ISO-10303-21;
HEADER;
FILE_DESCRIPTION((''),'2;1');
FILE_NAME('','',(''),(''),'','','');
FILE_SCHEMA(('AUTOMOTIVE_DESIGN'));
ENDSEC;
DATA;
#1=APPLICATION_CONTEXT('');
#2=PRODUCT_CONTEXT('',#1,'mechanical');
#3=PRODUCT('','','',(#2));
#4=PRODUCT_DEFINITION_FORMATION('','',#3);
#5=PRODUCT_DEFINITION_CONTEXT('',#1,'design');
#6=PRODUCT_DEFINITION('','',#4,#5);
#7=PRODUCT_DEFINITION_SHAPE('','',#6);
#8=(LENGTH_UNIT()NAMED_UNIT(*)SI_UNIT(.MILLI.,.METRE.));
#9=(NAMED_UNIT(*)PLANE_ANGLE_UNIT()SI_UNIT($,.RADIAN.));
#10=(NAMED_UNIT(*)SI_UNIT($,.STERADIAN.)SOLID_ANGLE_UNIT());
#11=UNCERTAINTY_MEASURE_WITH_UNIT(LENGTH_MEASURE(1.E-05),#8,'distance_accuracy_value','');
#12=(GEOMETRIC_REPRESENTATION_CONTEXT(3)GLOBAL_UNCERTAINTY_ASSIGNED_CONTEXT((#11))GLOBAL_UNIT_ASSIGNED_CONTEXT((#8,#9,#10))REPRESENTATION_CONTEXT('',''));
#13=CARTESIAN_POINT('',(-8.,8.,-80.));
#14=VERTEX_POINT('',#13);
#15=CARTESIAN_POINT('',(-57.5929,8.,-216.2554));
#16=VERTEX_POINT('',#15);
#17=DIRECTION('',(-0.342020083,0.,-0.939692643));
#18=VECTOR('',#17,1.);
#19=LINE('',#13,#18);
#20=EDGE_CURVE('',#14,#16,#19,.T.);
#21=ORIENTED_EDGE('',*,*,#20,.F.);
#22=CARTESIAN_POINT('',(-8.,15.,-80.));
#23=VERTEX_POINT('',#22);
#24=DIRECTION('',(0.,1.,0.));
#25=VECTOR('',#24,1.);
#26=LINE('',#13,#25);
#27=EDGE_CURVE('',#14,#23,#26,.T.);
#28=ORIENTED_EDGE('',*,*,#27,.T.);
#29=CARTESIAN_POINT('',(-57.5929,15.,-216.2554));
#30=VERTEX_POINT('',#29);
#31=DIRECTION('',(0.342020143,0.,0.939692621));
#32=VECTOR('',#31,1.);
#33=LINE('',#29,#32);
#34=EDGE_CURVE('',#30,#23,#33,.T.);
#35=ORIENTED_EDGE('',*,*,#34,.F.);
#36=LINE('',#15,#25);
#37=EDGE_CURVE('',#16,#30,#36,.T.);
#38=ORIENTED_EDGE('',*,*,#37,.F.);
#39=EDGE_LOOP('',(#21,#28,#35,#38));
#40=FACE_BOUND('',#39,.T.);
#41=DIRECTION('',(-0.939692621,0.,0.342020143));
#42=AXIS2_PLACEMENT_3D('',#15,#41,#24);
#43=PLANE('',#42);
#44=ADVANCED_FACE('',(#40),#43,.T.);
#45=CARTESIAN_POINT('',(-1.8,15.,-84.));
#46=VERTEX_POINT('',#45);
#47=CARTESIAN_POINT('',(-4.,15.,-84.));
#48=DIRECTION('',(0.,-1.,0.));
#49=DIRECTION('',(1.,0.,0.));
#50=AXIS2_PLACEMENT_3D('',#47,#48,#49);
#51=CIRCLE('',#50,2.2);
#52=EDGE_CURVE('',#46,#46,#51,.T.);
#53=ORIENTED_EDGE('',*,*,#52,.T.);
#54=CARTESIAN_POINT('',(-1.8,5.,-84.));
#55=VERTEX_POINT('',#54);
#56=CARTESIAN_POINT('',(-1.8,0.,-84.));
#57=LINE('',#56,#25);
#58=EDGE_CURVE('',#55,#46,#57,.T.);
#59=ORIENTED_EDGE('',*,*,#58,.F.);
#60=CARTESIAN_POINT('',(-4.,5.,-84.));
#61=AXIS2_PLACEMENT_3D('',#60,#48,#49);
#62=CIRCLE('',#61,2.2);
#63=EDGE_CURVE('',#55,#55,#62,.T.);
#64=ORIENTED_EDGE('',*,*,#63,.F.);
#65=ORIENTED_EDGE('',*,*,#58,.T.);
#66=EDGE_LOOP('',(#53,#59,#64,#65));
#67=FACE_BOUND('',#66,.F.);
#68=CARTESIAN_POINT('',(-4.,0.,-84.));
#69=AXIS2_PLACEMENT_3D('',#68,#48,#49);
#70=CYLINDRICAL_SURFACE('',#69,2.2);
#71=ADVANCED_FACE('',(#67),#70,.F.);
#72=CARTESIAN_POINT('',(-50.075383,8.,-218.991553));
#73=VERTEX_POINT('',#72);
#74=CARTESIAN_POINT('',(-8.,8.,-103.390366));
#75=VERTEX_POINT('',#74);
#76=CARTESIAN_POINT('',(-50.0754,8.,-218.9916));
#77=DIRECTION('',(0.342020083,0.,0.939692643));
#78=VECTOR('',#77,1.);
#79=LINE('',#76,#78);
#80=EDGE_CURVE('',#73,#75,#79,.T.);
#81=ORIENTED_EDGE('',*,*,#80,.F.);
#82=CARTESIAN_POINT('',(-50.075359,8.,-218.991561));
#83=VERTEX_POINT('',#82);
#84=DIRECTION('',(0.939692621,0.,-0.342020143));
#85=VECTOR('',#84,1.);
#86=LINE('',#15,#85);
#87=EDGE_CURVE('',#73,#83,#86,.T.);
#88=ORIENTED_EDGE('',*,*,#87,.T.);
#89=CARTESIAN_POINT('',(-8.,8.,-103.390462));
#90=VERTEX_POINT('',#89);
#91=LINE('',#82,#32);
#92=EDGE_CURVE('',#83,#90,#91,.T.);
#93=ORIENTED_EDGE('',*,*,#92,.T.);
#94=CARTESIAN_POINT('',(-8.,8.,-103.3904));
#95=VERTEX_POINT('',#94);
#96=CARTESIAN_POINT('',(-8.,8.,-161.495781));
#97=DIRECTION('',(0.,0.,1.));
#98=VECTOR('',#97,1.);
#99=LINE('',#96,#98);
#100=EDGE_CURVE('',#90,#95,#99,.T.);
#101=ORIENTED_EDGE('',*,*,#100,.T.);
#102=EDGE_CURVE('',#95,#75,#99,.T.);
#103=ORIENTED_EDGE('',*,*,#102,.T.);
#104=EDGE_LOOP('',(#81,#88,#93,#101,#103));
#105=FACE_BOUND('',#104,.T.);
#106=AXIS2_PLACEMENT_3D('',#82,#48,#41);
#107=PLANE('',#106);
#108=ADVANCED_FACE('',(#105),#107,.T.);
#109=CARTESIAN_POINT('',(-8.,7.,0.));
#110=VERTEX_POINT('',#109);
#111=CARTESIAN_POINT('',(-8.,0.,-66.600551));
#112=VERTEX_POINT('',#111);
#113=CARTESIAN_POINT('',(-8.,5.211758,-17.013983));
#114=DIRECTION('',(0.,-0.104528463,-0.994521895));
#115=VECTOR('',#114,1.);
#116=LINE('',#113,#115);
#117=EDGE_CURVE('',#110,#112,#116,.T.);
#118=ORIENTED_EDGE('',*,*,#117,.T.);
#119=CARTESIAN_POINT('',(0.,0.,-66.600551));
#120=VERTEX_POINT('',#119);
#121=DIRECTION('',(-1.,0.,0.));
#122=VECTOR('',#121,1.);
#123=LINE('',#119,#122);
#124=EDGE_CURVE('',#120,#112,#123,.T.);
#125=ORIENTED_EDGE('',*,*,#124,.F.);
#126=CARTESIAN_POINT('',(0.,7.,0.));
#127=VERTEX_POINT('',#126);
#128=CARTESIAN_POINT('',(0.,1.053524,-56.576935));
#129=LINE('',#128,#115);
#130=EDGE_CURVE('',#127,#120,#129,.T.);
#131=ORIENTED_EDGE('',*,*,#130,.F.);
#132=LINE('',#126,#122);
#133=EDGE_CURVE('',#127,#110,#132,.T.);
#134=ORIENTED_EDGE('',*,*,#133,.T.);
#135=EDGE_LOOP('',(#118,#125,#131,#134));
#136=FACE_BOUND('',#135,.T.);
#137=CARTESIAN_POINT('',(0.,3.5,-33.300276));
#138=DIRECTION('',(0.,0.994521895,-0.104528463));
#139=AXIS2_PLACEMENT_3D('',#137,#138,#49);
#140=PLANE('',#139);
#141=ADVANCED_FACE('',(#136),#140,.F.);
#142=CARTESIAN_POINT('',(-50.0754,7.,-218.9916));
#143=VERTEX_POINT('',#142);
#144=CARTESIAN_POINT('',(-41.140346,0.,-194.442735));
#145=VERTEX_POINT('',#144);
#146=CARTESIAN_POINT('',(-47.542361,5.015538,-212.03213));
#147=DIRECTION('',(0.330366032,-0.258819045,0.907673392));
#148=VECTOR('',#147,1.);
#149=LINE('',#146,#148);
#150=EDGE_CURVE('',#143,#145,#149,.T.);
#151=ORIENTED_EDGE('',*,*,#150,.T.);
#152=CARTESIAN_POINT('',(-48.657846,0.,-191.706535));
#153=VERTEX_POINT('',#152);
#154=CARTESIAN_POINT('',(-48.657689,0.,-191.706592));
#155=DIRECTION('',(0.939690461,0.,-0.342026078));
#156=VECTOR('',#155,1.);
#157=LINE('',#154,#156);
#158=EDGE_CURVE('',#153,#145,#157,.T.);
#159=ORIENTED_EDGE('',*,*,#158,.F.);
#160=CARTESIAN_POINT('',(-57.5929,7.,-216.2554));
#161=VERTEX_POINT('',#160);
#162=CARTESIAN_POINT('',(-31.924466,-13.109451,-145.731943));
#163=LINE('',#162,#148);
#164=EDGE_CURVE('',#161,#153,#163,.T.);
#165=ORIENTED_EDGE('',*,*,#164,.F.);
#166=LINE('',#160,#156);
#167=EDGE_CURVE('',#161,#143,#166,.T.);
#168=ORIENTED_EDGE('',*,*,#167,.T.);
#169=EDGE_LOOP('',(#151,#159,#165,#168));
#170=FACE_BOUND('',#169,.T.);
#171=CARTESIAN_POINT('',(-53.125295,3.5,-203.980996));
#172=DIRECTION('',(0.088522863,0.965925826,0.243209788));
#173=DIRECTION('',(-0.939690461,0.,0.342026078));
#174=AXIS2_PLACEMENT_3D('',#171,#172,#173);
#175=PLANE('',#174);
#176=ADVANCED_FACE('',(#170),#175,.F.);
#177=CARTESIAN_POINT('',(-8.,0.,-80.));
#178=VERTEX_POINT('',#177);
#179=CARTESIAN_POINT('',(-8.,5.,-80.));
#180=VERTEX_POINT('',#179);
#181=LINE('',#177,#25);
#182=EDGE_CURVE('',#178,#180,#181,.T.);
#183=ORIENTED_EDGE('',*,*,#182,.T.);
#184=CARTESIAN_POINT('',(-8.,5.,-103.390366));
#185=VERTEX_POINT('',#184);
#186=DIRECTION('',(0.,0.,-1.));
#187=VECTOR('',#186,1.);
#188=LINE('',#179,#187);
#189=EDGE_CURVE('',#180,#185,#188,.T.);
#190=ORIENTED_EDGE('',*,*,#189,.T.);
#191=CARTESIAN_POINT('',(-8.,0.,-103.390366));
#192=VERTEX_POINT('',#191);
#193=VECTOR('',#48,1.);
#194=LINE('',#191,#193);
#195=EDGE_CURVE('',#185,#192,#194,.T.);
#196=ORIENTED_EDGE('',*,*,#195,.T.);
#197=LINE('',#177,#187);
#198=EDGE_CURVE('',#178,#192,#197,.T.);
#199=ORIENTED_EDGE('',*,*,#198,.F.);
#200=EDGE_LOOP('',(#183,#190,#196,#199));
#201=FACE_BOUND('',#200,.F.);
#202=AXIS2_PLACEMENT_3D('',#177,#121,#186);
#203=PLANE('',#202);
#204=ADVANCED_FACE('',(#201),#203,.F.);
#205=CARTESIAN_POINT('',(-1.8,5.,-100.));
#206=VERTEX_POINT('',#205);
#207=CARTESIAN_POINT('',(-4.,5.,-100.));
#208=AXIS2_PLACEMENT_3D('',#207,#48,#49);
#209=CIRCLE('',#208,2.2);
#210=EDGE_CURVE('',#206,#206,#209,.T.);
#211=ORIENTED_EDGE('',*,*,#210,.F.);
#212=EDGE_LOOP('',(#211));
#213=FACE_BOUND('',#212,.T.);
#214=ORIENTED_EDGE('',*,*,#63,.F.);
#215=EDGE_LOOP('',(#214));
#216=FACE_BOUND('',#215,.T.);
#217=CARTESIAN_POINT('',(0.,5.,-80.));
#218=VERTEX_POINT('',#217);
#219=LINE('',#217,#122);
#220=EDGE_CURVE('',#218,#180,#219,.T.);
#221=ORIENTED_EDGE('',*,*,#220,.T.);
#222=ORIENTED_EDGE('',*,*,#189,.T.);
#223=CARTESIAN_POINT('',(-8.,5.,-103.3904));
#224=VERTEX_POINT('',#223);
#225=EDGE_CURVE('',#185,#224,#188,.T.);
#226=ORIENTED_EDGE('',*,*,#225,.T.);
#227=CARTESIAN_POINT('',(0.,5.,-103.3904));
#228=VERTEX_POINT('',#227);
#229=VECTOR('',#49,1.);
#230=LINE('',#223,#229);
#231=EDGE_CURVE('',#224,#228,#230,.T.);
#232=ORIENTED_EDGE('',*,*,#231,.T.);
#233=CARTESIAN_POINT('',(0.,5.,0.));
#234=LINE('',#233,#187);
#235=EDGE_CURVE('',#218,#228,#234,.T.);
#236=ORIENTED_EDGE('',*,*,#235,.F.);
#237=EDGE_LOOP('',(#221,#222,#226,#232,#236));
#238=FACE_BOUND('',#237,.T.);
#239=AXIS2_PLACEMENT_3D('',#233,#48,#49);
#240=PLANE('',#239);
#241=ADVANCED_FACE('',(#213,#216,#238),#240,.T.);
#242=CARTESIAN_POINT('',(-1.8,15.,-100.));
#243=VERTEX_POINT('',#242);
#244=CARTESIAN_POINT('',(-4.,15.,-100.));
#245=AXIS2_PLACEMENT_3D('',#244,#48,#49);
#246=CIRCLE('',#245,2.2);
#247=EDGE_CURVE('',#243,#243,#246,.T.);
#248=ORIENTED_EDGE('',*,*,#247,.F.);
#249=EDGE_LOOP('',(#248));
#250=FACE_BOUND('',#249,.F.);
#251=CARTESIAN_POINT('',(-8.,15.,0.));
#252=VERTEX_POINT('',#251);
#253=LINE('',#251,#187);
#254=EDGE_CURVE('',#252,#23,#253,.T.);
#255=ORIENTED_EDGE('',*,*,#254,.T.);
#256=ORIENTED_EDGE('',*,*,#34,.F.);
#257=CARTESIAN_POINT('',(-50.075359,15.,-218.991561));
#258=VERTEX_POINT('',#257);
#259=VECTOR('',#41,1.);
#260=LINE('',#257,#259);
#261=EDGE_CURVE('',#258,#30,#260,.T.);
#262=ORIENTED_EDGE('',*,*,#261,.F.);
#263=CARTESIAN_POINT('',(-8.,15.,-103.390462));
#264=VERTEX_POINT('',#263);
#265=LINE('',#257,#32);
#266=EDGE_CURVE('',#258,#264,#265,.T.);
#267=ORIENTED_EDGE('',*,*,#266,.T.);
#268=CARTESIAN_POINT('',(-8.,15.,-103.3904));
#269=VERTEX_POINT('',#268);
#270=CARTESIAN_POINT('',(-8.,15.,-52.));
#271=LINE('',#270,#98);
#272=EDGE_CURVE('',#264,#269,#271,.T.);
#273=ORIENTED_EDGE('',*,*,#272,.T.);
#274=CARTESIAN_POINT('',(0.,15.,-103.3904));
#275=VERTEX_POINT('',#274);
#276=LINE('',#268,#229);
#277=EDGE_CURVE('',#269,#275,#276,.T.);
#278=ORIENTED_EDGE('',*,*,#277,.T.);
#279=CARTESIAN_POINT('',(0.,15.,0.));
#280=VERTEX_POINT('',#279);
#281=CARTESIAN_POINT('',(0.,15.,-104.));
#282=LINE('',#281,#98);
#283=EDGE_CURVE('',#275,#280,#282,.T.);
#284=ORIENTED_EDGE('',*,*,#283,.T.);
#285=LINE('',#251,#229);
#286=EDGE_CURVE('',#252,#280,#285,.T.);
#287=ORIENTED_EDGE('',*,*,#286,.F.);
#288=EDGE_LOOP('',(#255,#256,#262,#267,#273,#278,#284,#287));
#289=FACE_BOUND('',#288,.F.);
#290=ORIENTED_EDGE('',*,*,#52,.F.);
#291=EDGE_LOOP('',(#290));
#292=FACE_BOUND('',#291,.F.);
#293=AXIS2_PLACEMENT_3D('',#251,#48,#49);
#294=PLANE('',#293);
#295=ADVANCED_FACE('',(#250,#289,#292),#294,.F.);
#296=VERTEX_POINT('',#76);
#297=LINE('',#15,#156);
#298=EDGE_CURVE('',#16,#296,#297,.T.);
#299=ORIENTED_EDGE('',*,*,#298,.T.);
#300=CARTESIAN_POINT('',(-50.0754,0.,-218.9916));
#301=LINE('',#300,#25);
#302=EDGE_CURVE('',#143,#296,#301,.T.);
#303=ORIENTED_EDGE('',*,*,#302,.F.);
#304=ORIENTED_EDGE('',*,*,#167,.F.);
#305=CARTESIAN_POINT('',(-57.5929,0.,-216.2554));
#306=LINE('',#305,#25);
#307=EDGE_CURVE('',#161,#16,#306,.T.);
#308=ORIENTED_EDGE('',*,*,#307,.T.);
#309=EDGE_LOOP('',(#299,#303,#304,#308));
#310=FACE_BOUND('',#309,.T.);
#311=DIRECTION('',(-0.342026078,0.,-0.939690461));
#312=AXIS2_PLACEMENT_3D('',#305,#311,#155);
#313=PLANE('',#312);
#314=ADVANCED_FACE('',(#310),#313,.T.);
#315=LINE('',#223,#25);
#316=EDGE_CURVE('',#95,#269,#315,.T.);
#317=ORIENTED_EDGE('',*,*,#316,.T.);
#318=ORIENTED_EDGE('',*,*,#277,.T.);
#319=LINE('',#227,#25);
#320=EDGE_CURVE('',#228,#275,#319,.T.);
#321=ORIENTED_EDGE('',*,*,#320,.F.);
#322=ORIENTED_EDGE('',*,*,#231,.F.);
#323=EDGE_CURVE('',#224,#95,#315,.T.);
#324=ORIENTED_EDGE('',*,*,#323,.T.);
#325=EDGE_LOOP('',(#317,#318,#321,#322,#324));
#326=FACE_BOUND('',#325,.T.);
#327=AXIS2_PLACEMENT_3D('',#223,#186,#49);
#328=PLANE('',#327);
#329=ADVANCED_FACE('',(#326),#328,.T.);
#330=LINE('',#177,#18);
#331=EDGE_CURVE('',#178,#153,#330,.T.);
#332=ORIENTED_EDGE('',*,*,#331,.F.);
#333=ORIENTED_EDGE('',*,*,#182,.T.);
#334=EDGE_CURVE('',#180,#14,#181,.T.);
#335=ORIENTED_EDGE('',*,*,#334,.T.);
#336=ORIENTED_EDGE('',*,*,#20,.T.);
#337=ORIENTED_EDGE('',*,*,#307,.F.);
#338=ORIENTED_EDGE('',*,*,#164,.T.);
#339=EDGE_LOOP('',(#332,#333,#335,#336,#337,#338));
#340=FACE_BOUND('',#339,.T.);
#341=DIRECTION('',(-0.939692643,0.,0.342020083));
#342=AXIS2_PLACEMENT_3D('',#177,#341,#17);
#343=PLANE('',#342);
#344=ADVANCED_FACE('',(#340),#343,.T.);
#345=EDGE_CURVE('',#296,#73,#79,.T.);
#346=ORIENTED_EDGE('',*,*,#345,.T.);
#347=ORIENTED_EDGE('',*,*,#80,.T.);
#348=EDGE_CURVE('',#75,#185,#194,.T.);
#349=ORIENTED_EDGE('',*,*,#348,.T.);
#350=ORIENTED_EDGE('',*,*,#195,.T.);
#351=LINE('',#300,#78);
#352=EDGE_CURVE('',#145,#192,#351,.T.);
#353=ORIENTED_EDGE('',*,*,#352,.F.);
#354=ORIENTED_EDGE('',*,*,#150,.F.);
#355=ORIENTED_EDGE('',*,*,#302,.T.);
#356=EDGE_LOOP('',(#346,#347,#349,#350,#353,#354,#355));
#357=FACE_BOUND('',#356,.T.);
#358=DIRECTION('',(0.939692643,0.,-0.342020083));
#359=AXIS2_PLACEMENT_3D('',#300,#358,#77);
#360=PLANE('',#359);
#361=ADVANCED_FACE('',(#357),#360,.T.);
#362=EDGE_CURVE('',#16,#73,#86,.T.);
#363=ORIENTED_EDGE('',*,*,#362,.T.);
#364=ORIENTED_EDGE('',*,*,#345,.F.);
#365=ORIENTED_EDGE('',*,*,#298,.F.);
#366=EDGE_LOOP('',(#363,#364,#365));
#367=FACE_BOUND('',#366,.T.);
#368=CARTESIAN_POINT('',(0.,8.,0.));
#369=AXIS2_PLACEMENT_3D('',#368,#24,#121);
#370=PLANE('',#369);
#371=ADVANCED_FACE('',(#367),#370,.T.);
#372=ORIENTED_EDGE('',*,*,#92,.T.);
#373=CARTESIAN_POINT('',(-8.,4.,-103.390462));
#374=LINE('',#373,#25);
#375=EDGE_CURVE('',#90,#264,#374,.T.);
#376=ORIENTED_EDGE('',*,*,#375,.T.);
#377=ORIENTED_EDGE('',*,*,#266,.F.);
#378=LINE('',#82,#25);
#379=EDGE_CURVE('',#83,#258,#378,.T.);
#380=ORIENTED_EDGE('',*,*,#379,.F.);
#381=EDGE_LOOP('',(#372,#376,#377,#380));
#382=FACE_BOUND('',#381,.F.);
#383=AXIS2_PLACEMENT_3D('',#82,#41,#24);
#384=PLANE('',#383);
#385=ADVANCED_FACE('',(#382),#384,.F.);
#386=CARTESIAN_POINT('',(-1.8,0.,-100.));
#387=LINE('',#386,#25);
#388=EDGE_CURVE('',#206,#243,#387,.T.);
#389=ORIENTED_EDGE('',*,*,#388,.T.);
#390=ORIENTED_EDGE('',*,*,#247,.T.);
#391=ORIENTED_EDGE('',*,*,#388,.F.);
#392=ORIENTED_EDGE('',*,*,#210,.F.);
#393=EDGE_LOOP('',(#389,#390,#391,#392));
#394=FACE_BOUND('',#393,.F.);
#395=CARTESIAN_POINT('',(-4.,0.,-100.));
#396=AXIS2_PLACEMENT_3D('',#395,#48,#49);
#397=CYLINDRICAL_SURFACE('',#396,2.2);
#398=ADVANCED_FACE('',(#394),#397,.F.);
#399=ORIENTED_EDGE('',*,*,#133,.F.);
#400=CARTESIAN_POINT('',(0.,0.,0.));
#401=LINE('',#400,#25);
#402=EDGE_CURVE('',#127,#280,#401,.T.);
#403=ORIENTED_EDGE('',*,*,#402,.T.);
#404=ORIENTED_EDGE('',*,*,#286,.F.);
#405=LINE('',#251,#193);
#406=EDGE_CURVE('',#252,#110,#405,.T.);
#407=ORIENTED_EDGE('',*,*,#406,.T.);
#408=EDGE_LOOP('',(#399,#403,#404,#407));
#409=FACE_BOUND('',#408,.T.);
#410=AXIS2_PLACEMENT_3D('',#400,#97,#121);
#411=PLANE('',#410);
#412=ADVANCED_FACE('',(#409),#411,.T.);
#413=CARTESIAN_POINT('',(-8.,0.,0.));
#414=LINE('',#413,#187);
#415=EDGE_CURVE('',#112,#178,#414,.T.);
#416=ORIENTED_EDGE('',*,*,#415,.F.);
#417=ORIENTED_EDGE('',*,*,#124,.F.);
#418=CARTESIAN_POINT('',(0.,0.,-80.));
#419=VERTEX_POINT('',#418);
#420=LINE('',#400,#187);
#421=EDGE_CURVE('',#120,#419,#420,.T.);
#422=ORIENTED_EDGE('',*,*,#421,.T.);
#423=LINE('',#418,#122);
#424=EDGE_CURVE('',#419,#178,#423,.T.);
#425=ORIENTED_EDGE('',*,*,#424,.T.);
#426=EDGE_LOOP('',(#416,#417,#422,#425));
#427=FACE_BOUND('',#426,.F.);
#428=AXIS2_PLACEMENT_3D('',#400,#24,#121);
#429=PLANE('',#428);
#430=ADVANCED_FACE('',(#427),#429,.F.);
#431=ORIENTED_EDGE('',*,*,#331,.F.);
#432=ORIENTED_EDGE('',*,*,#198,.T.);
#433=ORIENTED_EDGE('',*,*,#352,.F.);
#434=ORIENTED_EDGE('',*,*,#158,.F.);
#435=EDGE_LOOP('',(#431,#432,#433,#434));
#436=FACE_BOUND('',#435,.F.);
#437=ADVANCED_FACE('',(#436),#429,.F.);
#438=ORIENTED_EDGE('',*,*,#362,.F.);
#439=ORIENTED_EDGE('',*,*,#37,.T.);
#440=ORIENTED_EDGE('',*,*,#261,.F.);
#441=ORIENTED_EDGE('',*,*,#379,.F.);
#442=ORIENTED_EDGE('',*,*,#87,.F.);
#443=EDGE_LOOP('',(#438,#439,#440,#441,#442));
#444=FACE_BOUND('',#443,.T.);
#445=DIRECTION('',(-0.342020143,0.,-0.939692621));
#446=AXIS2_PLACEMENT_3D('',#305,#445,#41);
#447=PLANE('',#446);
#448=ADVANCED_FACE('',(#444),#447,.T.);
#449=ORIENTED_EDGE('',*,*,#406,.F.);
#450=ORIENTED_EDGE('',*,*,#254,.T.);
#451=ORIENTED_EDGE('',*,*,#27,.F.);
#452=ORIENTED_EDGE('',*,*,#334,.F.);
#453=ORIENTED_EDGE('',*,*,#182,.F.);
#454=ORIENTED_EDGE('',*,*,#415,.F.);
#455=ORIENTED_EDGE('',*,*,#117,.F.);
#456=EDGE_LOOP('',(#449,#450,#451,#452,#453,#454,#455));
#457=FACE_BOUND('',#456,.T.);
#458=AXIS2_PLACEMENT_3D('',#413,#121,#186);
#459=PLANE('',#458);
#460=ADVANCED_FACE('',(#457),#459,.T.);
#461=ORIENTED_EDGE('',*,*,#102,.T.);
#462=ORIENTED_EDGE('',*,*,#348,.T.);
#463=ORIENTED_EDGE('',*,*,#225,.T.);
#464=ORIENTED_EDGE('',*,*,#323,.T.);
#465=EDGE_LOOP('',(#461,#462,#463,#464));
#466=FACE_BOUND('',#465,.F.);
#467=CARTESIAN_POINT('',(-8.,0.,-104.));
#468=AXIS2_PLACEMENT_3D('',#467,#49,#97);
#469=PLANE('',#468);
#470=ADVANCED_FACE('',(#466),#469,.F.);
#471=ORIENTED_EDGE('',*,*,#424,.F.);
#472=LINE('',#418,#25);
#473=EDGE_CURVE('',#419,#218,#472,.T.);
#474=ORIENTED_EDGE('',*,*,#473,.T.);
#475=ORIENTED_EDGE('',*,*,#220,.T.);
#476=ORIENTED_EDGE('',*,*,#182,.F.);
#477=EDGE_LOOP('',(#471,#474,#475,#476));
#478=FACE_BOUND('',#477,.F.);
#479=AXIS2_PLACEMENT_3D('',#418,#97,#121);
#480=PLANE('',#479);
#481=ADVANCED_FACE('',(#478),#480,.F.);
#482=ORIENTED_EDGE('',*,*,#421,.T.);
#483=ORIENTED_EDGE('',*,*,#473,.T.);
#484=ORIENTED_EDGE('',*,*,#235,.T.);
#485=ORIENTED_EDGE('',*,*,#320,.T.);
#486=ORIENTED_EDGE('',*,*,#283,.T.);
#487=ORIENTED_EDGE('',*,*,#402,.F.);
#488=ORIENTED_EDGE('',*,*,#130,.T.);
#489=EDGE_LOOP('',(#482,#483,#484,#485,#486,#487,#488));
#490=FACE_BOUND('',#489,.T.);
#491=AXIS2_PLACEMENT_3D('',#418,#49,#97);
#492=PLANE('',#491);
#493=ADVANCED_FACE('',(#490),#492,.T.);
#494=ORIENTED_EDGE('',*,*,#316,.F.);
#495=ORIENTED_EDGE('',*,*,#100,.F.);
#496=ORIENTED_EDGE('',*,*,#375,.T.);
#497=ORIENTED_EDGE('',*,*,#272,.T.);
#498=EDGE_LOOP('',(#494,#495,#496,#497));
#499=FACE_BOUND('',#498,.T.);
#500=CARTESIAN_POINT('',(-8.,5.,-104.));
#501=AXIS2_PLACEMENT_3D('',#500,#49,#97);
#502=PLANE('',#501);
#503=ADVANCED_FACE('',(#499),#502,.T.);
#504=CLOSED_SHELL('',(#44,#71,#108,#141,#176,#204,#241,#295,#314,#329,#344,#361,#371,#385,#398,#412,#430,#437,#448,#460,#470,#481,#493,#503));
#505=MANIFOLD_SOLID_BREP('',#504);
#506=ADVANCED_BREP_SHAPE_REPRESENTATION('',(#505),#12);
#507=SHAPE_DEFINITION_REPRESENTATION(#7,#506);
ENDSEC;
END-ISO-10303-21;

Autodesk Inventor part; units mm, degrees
ref_plane "YZ Plane" through (0, 0, 0) normal (1, 0, 0) x (0, 1, 0)
ref_plane "XZ Plane" through (0, 0, 0) normal (0, 1, 0) x (-1, 0, 0)
ref_plane "XY Plane" through (0, 0, 0) normal (0, 0, 1) x (1, 0, 0)
sketch "Sketch1" plane through (0, 0, 0) normal (0, 1, 0) x (-1, 0, 0)
  line L0 (0, 0) -> (8, 0)
  line L1 (8, 0) -> (8, -80)
  line L2 (0, -80) -> (0, 0)
  line L3 (8, -80) -> (57.5929, -216.2554)
  line L4 (8, -80) -> (153, -80) construction
  line L5 (57.5929, -216.2554) -> (50.0754, -218.9916)
  line L6 (50.0754, -218.9916) -> (0.4825, -82.7362)
  line L7 (0.4825, -82.7362) -> (0, -81.4106)
  line L8 (0, -81.4106) -> (0, -80)
  dimension "d3" = 8
  dimension "d4" = 80
  dimension "d6" = 70
  dimension "d7" = 8
extrude "Extrusion1" add sketch "Sketch1" along normal blind 8
sketch "Sketch2" plane through (-8, 0, 0) normal (0, 0, 1) x (1, 0, 0)
  line L0 (8, 8) -> (8, 15)
  line L1 (8, 8) -> (0, 8)
  line L2 (8, 8) -> (-42.0754, 8) projected
  line L3 (0, 8) -> (0, 15)
  line L4 (0, 15) -> (8, 15)
  point P0 (8, 0)
  dimension "d10" = 7
  dimension "d11" = 8
extrude "Extrusion2" add sketch "Sketch2" against normal blind 80
sketch "Sketch3" plane through (-57.5929, 0, -216.2554) normal (-0.342, 0, -0.9397) x (-0.9397, 0, 0.342)
  line L0 (-8, 0) -> (-8, 8) projected
  line L1 (0, 0) -> (0, 8) projected
  line L2 (-8, 8) -> (0, 8)
  line L3 (-7.5175, 15) -> (-7.5175, 8) projected
  line L4 (-8, 8) -> (-8, 15)
  line L5 (0, 8) -> (0, 15)
  line L6 (0, 15) -> (-8, 15)
  point P0 (19.8441, 0)
  dimension "d14" = 8
extrude "Extrusion3" add sketch "Sketch3" against normal blind 145
sketch "Sketch8" plane through (0, 0, 0) normal (0, -1, 0) x (1, 0, 0)
  line L0 (-8, -80) -> (-8, 0) projected
  line L1 (-8, -80) -> (0, -80)
  line L2 (0, -80) -> (0, -104)
  line L3 (0, -104) -> (-8, -104)
  line L4 (-8, -104) -> (-8, -80)
  circle A0 centre (-4, -100) radius 2.2
  circle A1 centre (-4, -84) radius 2.2
  point P0 (0, 0)
  point P1 (-4, -80)
  point P2 (-4, -104)
  dimension "d24" = 24
  dimension "d25" = 4.4
  dimension "d26" = 4.4
  dimension "d27" = 4
  dimension "d28" = 4
extrude "Extrusion7" add sketch "Sketch8" against normal blind 15
sketch "Sketch9" plane through (0, 15, 0) normal (0, 1, 0) x (1, 0, 0)
  line L0 (0, 80) -> (0, 104) projected
  line L1 (-8, 80) -> (-0.4825, 82.7362) projected
  line L2 (0, 104) -> (-8, 104)
  line L3 (-8, 104) -> (-8, 80)
  line L4 (-8, 80) -> (0, 80)
  line L5 (0, 80) -> (0, 104)
  point P0 (0, 0)
extrude "Extrusion8" cut sketch "Sketch9" along normal blind 145
extrude "Extrusion9" cut sketch "Sketch8" against normal blind 24 contours A1
sketch "Sketch10" plane through (0, 0, 0) normal (0, -1, 0) x (1, 0, 0)
  line L0 (0, -104) -> (-8, -104) projected
  line L1 (0, 0) -> (0, -104) projected
  line L2 (-8, -104) -> (0, -104)
  line L3 (0, -104) -> (0, -80)
  line L4 (0, -80) -> (-8, -80)
  line L5 (-8, -80) -> (-8, -104)
  dimension "d47" = 24
extrude "Extrusion10" cut sketch "Sketch10" against normal blind 5
sketch "Sketch11" plane through (0, 5, 0) normal (0, -1, 0) x (1, 0, 0)
  line L0 (0, -104) -> (-8, -104) projected
  line L1 (-50.0754, -218.9916) -> (-8, -103.3904) projected
  line L2 (0, -104) -> (-8, -104)
  line L3 (-8, -104) -> (-8, -103.3904)
  line L4 (-8, -103.3904) -> (0, -103.3904)
  line L5 (0, -103.3904) -> (0, -104)
  point P0 (0, 0)
extrude "Extrusion11" cut sketch "Sketch11" against normal blind 13
chamfer "Chamfer3" distance 7 angle 84 1 edges at (-4, 0, 0) measured on face at (-5.3333, 5, 0)
chamfer "Chamfer4" distance 7 angle 75 1 edges at (-53.8342, 0, -217.6235) measured on face at (-55.0871, 5, -217.1675)
properties part number "intake arm right"
